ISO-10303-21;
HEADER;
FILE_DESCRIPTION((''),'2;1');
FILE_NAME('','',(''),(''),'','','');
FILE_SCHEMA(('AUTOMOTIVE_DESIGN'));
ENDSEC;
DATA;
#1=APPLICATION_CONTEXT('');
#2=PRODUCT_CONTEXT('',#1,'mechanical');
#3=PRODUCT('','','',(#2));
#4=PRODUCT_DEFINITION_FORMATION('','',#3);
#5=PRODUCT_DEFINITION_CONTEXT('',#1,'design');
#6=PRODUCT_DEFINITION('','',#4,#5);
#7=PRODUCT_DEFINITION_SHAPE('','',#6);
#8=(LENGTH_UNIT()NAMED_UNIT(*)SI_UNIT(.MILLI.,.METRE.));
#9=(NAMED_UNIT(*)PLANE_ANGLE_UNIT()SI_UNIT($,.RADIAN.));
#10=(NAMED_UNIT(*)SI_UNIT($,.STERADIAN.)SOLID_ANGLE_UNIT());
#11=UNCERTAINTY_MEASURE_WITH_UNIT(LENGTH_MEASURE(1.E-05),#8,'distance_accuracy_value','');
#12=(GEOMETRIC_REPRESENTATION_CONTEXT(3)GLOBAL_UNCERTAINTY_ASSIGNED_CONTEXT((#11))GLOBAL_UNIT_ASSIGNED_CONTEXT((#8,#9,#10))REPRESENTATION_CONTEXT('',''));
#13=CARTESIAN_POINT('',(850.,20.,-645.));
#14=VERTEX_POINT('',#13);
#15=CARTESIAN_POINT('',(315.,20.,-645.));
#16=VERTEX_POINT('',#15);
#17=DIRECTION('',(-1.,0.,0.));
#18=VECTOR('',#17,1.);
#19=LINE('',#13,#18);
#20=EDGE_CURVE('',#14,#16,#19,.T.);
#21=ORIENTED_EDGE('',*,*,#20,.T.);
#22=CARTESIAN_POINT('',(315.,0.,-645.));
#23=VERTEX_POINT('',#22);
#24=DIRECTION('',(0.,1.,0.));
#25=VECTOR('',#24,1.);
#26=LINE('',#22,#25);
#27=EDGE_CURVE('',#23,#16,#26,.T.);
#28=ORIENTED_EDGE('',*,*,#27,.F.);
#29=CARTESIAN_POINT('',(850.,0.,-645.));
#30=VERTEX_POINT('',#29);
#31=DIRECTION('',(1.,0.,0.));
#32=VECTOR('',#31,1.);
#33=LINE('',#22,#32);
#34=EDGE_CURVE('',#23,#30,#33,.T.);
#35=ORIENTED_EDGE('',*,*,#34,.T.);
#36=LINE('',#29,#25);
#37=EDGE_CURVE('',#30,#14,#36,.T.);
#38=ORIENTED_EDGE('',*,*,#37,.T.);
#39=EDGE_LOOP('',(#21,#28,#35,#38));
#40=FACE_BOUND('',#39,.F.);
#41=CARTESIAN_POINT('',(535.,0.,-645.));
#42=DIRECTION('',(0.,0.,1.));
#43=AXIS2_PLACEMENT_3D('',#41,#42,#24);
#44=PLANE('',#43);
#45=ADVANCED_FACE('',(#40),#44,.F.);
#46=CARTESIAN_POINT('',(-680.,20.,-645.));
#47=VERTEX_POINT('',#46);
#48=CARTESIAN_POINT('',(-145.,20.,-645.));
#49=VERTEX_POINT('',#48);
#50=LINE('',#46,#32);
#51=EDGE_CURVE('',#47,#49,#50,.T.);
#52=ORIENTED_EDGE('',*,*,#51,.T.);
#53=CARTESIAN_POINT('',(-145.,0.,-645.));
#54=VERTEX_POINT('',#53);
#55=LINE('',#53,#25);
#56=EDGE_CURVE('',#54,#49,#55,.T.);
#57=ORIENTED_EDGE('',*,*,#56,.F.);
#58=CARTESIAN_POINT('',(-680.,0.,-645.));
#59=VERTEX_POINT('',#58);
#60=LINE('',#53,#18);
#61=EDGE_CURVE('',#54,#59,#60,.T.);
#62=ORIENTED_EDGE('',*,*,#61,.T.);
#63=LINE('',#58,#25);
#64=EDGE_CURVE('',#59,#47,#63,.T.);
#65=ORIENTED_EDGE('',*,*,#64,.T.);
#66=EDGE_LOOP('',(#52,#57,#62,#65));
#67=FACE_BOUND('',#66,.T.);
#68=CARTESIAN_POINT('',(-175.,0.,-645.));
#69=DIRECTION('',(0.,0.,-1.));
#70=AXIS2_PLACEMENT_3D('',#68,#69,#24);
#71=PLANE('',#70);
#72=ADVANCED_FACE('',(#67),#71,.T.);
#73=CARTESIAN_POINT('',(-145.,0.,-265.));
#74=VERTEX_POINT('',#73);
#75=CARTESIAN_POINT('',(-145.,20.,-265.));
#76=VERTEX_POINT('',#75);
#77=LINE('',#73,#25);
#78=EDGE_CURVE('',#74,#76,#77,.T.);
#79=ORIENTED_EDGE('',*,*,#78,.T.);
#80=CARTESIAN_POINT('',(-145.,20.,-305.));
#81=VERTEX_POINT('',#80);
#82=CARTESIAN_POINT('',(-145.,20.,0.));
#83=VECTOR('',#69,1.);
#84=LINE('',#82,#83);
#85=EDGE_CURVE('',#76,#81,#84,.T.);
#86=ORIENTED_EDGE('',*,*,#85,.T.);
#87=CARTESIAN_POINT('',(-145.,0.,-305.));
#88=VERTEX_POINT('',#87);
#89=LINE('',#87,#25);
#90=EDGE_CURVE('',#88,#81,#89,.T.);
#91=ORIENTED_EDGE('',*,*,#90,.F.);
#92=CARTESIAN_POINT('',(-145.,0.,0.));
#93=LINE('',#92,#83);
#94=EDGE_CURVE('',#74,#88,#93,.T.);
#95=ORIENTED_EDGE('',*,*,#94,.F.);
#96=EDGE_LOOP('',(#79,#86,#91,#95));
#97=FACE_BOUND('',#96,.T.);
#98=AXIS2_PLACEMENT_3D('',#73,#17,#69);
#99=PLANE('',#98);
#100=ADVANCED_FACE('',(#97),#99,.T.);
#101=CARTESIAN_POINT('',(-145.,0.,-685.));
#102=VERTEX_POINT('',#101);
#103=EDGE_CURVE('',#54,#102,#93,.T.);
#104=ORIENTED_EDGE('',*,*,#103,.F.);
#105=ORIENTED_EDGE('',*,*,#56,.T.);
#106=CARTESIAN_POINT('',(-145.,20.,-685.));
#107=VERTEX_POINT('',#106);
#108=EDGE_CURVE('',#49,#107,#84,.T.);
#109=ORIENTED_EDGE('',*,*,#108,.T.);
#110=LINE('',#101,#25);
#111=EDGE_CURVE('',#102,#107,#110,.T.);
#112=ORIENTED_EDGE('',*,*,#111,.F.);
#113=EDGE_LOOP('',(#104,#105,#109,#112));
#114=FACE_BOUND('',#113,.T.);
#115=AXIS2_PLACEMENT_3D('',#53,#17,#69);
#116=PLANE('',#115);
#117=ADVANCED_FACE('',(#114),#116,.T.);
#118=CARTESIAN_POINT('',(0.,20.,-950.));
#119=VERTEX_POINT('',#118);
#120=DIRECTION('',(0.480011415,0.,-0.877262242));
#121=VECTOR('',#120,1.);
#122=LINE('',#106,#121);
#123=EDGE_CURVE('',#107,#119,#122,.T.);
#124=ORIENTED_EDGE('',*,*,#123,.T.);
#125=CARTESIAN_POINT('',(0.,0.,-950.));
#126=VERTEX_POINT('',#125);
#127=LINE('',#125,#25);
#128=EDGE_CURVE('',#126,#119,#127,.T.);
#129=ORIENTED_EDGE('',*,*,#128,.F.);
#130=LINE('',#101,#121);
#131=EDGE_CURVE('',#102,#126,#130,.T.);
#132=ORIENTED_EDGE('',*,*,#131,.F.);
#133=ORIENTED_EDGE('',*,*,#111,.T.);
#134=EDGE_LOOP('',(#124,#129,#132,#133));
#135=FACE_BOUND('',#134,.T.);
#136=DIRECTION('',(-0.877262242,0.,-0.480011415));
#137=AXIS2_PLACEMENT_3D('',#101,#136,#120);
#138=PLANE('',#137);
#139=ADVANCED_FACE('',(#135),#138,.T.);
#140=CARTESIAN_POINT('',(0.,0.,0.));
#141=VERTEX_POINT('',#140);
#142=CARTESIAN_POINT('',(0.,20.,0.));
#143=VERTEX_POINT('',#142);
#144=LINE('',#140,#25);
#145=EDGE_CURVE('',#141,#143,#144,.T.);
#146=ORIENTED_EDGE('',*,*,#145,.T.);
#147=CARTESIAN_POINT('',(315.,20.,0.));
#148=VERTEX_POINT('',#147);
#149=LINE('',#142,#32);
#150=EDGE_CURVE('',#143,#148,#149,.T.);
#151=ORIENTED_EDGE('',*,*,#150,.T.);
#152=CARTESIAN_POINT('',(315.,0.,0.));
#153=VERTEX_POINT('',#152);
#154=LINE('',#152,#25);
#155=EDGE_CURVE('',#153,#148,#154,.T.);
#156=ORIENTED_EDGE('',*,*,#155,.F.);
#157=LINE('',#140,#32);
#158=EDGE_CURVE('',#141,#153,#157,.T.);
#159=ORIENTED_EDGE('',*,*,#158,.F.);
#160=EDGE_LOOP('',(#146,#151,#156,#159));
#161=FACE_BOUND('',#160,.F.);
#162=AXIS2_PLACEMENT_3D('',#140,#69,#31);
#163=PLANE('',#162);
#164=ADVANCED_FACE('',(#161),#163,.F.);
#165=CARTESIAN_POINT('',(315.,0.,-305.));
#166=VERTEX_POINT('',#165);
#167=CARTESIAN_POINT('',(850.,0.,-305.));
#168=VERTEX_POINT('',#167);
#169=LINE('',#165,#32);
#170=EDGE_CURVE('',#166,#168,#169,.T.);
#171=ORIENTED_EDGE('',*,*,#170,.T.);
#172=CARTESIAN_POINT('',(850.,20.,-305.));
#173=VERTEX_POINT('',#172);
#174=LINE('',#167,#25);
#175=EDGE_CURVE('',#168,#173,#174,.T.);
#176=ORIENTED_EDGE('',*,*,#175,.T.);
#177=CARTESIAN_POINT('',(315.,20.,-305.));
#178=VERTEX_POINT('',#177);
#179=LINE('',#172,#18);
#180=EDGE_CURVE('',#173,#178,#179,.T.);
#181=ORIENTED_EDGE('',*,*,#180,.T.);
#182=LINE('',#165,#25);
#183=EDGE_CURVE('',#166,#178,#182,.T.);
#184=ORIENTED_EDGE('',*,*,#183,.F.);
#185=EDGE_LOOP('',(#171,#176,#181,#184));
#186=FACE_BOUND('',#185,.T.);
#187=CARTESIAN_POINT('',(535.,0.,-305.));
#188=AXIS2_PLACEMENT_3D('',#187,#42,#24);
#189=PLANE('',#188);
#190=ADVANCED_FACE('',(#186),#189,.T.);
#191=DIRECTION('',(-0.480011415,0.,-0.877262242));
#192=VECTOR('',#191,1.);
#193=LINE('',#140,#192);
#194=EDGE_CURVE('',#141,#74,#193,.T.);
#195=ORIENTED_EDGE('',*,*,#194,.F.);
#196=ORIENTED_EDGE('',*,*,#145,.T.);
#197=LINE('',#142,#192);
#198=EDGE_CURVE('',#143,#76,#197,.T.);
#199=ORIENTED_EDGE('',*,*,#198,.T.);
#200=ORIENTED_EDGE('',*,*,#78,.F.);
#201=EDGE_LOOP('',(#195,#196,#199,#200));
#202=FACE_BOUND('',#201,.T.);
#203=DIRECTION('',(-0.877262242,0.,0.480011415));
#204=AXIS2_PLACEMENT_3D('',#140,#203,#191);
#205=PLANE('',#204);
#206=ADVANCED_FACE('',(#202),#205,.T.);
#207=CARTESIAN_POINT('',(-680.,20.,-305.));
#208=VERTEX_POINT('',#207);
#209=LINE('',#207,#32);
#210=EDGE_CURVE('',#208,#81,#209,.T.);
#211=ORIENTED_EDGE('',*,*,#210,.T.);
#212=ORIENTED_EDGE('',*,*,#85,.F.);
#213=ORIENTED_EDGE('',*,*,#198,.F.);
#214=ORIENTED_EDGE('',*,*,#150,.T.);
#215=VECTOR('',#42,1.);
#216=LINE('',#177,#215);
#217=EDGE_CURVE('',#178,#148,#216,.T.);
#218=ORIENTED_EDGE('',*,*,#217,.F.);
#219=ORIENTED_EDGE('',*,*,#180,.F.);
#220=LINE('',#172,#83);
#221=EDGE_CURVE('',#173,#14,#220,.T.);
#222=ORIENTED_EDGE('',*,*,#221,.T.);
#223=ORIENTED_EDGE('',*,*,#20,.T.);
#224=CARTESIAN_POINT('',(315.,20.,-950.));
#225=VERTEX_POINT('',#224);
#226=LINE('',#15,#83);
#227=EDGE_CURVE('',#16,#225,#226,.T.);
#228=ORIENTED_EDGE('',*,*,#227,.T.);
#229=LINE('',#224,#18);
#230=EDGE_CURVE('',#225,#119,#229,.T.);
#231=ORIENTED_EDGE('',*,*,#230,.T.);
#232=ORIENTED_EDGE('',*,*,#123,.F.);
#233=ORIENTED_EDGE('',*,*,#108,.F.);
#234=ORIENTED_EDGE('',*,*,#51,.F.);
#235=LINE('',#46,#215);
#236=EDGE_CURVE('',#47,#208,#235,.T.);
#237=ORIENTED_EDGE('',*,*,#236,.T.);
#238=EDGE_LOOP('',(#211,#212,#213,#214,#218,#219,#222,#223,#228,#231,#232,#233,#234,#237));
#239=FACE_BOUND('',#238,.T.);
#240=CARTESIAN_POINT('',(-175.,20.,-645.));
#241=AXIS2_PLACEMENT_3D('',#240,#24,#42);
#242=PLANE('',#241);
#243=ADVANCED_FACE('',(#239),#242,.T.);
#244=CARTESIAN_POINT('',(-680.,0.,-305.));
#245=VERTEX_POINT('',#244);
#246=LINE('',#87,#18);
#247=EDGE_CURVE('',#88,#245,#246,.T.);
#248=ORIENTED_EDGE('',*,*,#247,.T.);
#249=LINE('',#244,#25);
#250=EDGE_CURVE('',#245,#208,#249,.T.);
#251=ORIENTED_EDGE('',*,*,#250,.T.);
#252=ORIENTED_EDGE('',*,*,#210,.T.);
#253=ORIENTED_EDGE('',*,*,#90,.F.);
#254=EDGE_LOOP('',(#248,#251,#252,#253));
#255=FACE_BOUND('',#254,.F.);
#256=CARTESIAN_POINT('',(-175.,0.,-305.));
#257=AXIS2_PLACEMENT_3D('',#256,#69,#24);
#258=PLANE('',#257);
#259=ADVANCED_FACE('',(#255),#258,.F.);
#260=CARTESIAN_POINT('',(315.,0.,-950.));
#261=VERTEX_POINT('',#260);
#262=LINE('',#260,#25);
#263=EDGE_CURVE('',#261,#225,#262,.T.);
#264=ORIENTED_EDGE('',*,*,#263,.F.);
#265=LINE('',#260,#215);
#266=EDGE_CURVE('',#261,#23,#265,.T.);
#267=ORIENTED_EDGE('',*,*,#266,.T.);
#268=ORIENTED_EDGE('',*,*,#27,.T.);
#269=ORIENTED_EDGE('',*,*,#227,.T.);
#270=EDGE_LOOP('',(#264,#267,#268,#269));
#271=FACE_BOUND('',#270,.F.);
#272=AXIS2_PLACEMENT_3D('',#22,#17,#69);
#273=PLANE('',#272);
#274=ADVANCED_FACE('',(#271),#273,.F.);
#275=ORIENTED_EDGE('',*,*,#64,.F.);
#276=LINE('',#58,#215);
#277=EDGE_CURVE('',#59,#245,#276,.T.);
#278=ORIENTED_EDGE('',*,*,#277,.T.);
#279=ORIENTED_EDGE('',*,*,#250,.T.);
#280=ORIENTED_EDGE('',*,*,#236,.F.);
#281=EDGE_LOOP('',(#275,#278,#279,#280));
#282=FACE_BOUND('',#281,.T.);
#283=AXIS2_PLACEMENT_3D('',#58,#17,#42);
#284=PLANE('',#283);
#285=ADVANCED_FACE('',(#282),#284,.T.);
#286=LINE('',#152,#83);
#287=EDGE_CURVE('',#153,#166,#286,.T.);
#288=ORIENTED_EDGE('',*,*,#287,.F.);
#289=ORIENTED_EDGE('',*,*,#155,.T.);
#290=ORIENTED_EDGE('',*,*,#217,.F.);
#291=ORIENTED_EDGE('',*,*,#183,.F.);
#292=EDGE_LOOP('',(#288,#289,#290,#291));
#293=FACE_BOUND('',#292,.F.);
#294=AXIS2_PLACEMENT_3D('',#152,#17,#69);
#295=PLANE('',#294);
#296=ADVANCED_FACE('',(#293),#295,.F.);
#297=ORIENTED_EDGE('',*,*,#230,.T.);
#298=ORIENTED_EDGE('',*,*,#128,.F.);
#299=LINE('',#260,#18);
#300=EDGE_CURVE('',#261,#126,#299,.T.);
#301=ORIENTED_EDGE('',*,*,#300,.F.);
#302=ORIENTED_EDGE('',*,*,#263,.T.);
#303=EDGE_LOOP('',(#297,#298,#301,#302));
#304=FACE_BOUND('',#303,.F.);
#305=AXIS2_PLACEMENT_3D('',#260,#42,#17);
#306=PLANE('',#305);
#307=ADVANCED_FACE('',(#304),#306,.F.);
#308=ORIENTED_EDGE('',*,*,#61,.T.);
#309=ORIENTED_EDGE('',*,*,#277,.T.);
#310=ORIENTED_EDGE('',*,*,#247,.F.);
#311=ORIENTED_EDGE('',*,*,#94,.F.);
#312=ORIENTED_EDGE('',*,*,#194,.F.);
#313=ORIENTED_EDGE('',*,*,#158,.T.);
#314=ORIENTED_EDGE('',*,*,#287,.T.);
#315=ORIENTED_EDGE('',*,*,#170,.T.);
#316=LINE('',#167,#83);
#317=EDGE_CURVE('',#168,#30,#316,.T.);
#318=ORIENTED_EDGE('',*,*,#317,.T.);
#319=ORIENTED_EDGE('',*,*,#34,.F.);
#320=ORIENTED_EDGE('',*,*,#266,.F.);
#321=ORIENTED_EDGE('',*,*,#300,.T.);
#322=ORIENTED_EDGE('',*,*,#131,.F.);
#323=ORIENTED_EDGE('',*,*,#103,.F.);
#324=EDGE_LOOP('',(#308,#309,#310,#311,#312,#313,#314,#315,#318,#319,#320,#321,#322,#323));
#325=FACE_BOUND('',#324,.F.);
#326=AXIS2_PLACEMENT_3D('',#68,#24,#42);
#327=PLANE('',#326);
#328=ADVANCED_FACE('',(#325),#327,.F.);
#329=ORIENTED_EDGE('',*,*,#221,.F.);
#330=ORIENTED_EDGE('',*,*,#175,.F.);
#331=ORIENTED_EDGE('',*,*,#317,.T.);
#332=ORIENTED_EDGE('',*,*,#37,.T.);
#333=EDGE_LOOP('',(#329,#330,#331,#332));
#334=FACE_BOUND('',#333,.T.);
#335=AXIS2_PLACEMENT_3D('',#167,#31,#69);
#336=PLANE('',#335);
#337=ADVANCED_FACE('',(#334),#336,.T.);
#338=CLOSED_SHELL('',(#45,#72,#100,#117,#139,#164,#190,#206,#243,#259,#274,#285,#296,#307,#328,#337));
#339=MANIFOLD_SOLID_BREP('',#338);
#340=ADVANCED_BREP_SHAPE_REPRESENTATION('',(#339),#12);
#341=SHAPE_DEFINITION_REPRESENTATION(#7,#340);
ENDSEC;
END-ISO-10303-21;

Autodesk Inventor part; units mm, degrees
ref_plane "YZ Plane" through (0, 0, 0) normal (1, 0, 0) x (0, 1, 0)
ref_plane "XZ Plane" through (0, 0, 0) normal (0, 1, 0) x (-1, 0, 0)
ref_plane "XY Plane" through (0, 0, 0) normal (0, 0, 1) x (1, 0, 0)
sketch "스케치1" plane through (0, 0, 0) normal (0, 1, 0) x (-1, 0, 0)
  line L0 (0, 0) -> (-315, 0)
  line L1 (-315, 0) -> (-315, -950)
  line L2 (-315, -950) -> (0, -950)
  line L3 (0, -950) -> (0, 0)
  line L4 (-315, -645) -> (-315, -475)
  line L5 (-315, -475) -> (-535, -475)
  line L6 (-535, -475) -> (-535, -645)
  line L7 (-535, -645) -> (-315, -645)
  line L8 (-315, -645) -> (-315, -475)
  line L9 (-315, -475) -> (-535, -475)
  line L10 (-315, -305) -> (-315, -475)
  line L11 (-315, -475) -> (-535, -475)
  line L12 (-535, -475) -> (-535, -305)
  line L13 (-535, -305) -> (-315, -305)
  line L14 (-315, -305) -> (-315, -475)
  line L15 (0, -305) -> (0, 0)
  line L16 (0, -645) -> (0, -950)
  line L17 (0, 0) -> (175, 0)
  line L18 (175, 0) -> (175, -950)
  line L19 (175, -950) -> (0, -950)
  line L20 (0, -950) -> (0, 0)
  line L21 (175, 0) -> (145, 0)
  line L22 (145, 0) -> (145, -950)
  line L23 (145, -950) -> (175, -950)
  line L24 (175, -950) -> (175, 0)
  line L25 (175, -475) -> (145, -475)
  line L26 (145, -475) -> (145, -645)
  line L27 (145, -645) -> (175, -645)
  line L28 (175, -645) -> (175, -475)
  line L29 (175, -475) -> (145, -475)
  line L30 (145, -475) -> (145, -305)
  line L31 (145, -305) -> (175, -305)
  line L32 (175, -305) -> (175, -475)
  line L33 (145, -645) -> (-315, -645)
  line L34 (-315, -645) -> (-315, -685)
  line L35 (-315, -685) -> (145, -685)
  line L36 (145, -685) -> (145, -645)
  line L37 (145, -305) -> (-315, -305)
  line L38 (-315, -305) -> (-315, -265)
  line L39 (-315, -265) -> (145, -265)
  line L40 (145, -265) -> (145, -305)
  line L41 (0, 0) -> (145, -265)
  line L42 (145, -685) -> (0, -950)
  dimension "d0" = 315
  dimension "d1" = 950
  dimension "d3" = 220
  dimension "d4" = 170
  dimension "d5" = 220
  dimension "d6" = 170
  dimension "d7" = 175
  dimension "d8" = 30
  dimension "d9" = 460
  dimension "d10" = 40
  dimension "d11" = 460
  dimension "d12" = 40
extrude "돌출1" add sketch "스케치1" along normal blind 20 contours L3 L39 L1 L0 | L41 L39 L3 | L39 L22 L37 L3 | L3 L37 L1 L39 | L37 L22 L33 L3 | L3 L33 L1 L37 | L31 L18 L25 L22 | L1 L5 L12 L13 | L33 L22 L35 L3 | L3 L35 L1 L33 | L25 L18 L27 L22 | L1 L7 L6 L5 | L35 L42 L3 | L3 L2 L1 L35
sketch "스케치2" plane through (535, 0, -305) normal (1, 0, 0) x (0, 0, -1)
  line L0 (0, 0) -> (340, 0) projected
  line L1 (340, 0) -> (340, 20) projected
  line L2 (0, 20) -> (340, 20) projected
  line L3 (0, 0) -> (0, 20) projected
  line L4 (0, 20) -> (340, 20)
  line L5 (340, 20) -> (340, 0)
  line L6 (340, 0) -> (0, 0)
  line L7 (0, 0) -> (0, 20)
  point P0 (-305, 0)
extrude "돌출2" add sketch "스케치2" along normal blind 315
sketch "스케치3" plane through (-175, 0, -645) normal (-1, 0, 0) x (0, 0, 1)
  line L0 (0, 0) -> (340, 0) projected
  line L1 (340, 0) -> (340, 20) projected
  line L2 (0, 20) -> (340, 20) projected
  line L3 (0, 0) -> (0, 20) projected
  line L4 (0, 20) -> (340, 20)
  line L5 (340, 20) -> (340, 0)
  line L6 (340, 0) -> (0, 0)
  line L7 (0, 0) -> (0, 20)
  point P0 (645, 0)
extrude "돌출3" add sketch "스케치3" along normal blind 505
properties part number "cover" material "고무"
